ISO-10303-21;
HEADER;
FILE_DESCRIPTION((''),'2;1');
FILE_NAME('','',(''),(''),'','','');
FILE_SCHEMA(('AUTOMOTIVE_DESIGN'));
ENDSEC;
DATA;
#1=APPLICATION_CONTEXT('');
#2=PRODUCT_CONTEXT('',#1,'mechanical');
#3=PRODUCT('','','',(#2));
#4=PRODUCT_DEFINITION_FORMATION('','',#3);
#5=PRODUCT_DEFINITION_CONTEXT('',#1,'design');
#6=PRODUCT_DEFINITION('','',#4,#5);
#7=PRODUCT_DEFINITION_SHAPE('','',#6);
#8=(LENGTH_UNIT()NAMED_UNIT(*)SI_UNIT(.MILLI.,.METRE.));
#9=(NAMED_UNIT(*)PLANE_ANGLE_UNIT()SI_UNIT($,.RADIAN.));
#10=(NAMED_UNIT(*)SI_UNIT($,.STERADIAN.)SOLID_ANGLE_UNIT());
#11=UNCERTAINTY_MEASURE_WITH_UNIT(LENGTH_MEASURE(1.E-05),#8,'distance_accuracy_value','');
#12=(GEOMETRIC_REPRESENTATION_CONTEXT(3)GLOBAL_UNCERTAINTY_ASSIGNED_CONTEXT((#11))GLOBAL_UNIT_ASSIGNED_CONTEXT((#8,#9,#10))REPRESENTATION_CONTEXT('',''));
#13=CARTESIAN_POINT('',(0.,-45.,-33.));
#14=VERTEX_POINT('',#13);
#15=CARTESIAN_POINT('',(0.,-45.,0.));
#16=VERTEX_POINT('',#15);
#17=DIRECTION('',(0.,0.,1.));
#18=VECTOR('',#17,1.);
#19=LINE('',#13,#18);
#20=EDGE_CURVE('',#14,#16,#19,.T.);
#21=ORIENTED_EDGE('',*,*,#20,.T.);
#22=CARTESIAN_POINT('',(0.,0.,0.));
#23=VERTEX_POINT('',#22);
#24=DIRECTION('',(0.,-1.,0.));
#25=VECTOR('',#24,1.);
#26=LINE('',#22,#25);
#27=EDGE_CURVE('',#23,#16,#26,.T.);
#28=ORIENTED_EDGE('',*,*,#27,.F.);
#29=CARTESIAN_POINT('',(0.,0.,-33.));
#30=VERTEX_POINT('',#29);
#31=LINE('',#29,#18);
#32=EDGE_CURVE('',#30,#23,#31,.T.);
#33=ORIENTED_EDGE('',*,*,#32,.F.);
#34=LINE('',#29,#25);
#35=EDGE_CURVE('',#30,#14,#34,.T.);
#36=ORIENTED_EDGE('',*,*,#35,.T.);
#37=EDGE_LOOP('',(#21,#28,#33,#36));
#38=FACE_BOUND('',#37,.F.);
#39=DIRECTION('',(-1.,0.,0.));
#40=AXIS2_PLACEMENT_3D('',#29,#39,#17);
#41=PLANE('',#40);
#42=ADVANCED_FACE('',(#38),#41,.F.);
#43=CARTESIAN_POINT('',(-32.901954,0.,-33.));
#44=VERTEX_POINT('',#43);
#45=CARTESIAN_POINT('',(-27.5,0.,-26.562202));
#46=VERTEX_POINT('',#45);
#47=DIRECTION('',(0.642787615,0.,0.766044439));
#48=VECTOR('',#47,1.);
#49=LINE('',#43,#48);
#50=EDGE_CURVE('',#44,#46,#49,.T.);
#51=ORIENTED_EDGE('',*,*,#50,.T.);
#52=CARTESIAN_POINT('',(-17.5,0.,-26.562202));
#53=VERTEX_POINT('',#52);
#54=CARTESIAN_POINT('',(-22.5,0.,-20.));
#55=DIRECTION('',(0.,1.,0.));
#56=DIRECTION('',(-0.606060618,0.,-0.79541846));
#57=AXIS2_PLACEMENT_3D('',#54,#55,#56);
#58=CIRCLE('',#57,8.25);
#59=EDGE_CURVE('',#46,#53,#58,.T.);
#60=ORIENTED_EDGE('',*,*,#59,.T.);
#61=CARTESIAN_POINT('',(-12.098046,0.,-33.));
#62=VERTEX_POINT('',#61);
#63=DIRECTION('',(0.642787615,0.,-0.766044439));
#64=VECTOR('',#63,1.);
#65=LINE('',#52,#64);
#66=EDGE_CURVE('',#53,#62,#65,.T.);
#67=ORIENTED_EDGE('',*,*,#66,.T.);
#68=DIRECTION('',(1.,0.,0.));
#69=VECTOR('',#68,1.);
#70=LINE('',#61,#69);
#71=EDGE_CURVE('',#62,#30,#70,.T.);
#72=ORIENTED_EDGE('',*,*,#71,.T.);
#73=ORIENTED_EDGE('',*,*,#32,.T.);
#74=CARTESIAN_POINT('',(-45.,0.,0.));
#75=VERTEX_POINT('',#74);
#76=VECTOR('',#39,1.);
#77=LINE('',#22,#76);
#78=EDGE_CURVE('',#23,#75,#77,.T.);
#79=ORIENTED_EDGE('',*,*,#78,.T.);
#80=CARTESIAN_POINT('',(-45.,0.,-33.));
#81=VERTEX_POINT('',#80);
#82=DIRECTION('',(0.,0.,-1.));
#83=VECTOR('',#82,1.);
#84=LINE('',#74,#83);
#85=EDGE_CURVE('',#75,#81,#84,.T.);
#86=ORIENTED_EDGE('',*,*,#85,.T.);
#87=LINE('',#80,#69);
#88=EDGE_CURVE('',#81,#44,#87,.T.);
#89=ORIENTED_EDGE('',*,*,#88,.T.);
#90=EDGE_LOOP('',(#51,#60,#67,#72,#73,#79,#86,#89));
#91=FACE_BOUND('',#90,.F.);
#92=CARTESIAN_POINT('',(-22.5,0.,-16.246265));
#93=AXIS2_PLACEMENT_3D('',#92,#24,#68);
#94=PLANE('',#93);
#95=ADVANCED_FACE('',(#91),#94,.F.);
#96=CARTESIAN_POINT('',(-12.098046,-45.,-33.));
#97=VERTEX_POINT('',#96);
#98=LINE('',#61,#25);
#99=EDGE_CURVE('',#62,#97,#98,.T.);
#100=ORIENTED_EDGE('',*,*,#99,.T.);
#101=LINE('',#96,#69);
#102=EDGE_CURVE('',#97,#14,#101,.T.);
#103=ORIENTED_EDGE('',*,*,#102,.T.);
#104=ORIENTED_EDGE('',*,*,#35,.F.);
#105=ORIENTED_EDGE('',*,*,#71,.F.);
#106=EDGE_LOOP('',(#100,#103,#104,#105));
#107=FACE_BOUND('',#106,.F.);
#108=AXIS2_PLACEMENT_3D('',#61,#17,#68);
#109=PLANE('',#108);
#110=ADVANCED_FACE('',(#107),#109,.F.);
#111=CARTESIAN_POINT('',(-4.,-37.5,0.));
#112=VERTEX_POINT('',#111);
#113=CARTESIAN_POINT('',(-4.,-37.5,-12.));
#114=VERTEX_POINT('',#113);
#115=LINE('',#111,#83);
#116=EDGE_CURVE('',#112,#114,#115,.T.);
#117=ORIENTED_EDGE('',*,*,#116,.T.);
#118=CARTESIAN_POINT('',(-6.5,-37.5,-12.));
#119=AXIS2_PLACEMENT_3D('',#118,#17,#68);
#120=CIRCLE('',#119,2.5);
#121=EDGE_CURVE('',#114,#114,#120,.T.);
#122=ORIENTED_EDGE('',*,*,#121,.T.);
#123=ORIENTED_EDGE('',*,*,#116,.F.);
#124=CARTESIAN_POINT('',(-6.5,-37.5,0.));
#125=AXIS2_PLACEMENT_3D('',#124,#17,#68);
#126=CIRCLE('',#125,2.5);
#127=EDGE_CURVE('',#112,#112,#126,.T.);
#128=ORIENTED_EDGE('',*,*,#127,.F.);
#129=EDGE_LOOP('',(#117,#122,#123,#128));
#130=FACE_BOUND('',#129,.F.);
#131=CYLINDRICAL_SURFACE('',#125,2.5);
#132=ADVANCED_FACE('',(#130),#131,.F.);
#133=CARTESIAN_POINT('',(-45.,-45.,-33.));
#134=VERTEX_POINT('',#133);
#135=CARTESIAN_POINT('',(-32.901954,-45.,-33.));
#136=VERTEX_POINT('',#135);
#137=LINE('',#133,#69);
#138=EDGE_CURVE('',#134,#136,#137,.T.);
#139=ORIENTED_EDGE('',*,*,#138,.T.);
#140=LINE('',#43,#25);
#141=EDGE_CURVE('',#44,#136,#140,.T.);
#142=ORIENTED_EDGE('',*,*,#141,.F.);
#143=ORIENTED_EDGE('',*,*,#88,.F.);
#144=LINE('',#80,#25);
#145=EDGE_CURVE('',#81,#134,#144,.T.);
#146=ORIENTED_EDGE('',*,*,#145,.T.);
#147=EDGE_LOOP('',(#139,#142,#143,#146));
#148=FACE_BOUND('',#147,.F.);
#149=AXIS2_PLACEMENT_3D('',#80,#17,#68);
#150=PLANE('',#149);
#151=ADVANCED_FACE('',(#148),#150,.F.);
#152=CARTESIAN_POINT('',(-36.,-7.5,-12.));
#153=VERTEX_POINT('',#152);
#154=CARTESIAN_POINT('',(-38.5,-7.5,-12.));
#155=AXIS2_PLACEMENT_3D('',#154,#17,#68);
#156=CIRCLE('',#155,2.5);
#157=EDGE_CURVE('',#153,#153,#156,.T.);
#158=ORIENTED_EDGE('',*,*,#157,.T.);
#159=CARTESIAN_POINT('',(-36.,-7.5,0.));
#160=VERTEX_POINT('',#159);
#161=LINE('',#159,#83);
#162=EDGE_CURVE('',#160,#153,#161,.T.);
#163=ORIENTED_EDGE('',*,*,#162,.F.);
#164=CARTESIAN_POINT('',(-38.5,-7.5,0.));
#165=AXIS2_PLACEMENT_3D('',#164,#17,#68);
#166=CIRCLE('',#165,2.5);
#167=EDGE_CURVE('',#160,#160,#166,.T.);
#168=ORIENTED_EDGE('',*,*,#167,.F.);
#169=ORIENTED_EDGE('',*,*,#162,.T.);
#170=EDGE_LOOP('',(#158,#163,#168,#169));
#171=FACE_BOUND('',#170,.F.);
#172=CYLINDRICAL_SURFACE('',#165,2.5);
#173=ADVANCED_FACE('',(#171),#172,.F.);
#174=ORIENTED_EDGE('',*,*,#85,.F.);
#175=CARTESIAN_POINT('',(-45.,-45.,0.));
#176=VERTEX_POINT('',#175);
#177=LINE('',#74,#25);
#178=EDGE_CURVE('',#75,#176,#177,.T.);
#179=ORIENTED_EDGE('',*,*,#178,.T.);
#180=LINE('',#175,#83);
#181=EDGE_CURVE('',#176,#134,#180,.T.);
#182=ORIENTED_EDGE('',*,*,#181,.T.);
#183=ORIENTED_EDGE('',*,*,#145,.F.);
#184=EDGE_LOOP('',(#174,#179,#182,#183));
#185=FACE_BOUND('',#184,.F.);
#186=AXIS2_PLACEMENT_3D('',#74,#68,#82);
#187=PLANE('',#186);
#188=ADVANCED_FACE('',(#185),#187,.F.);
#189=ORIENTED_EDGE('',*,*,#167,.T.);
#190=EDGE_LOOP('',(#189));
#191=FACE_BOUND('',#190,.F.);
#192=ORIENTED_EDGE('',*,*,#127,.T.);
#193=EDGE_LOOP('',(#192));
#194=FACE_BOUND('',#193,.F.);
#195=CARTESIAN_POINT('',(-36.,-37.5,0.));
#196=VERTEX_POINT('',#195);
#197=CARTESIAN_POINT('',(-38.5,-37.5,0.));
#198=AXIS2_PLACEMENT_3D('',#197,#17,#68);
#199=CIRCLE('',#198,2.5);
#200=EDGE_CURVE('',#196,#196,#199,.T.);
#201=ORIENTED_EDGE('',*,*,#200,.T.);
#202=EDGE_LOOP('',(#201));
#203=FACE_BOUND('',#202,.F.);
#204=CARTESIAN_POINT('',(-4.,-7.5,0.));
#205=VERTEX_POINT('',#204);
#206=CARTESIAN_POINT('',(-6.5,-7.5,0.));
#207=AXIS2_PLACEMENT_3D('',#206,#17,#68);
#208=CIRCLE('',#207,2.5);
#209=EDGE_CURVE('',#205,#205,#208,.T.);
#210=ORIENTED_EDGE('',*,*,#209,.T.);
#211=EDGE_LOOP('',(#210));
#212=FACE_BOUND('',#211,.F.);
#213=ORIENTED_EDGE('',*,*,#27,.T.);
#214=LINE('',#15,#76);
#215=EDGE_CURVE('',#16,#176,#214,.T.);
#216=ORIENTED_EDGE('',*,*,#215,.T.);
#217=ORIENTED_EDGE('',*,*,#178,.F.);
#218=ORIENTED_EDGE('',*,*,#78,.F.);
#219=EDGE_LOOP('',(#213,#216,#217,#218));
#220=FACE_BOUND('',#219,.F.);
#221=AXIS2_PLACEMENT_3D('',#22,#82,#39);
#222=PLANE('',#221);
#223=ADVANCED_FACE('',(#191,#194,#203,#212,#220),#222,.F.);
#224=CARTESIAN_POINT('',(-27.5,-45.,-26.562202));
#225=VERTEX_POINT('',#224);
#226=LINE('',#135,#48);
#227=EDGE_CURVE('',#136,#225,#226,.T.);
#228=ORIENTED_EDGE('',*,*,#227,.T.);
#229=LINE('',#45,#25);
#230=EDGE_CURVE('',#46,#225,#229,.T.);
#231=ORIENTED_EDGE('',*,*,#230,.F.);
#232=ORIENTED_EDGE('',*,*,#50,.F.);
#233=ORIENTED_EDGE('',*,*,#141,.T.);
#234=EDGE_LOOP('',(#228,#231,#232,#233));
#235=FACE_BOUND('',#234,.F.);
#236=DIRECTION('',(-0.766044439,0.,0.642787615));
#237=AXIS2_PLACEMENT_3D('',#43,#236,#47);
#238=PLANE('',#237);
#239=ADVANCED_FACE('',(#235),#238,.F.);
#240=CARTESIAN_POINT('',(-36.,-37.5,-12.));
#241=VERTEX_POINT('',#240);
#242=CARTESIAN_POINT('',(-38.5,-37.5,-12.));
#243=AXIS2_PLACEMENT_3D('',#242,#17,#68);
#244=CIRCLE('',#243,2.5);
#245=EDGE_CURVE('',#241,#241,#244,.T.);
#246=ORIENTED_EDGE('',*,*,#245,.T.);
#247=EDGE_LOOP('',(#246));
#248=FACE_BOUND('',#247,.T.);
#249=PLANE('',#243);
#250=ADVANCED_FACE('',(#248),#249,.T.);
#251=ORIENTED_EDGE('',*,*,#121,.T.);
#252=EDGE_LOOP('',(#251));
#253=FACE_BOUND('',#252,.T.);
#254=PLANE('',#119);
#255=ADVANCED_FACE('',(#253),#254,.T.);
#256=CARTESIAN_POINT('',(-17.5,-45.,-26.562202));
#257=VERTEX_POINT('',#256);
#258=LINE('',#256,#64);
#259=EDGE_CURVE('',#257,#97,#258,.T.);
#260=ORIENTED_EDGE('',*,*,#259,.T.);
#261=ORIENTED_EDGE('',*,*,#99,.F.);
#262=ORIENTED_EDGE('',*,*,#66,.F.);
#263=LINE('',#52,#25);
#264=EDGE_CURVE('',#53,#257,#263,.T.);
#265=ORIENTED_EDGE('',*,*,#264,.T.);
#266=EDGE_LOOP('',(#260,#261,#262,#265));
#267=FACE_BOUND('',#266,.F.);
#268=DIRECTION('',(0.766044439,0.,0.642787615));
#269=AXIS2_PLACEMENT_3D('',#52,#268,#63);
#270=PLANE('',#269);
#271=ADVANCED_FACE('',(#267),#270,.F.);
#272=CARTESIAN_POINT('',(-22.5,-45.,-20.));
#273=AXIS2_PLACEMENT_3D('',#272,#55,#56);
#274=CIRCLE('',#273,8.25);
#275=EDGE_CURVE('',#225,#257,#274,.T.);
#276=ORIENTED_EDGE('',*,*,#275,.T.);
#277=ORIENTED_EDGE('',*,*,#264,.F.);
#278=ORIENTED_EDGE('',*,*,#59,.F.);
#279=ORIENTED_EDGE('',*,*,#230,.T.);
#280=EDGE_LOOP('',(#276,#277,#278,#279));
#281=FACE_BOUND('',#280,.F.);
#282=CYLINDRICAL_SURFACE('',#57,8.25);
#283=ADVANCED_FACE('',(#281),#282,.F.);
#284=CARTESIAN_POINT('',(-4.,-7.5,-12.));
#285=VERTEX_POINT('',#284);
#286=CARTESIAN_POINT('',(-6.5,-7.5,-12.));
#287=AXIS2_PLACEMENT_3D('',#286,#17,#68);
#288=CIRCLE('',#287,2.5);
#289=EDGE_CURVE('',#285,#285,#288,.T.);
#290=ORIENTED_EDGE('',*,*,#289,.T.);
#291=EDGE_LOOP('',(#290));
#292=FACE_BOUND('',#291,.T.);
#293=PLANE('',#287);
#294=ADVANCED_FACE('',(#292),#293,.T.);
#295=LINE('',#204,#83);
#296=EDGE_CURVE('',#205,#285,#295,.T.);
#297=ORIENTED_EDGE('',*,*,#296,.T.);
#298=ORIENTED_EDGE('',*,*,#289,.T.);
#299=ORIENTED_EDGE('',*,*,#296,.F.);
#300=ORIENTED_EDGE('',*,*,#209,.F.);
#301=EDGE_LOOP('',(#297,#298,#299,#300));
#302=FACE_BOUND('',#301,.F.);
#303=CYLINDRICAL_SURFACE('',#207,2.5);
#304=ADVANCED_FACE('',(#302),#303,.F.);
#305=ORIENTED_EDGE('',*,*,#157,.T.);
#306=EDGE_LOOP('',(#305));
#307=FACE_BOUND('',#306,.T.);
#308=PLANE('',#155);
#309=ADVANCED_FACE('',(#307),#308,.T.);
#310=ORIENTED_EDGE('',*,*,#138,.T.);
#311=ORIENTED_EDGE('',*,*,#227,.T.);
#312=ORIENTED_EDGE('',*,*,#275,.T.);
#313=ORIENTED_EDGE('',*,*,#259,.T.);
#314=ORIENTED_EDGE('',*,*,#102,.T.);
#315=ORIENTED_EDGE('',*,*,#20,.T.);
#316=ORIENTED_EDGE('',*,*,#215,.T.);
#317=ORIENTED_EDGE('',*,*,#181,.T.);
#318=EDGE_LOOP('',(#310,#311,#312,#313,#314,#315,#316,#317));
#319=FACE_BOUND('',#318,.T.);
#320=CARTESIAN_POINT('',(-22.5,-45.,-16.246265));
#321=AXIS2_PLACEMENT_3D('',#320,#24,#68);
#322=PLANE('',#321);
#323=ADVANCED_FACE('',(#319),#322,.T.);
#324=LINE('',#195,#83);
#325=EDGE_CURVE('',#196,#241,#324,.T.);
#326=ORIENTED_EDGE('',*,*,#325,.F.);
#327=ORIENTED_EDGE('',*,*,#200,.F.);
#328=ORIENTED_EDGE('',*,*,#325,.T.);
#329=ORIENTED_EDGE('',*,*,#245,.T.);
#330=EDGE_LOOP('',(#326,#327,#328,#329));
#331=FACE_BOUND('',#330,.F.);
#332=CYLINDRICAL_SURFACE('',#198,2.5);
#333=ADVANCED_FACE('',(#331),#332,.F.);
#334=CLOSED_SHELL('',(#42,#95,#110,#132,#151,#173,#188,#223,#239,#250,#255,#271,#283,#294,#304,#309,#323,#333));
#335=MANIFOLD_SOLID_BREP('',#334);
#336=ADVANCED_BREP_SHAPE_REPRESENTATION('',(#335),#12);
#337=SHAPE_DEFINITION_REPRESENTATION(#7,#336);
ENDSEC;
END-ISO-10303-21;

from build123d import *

# Parameters (mm, degrees)
F1_DEPTH = 45
F2_R     = 2.5
F3_DEPTH = 12


with BuildPart() as f1:
    # F0 (on Front) → F1 (new body)
    with BuildSketch(Plane.XZ):
        with BuildLine():
            Line((0, -33), (0, 0))
            Line((0, 0), (-45, 0))
            Line((-45, 0), (-45, -33))
            Line((-45, -33), (-32.901954, -33))
            Line((-32.901954, -33), (-27.5, -26.562202))
            ThreePointArc((-27.5, -26.562202), (-22.5, -11.75), (-17.5, -26.562202))
            Line((-17.5, -26.562202), (-12.098046, -33))
            Line((-12.098046, -33), (0, -33))
        make_face()
    extrude(amount=F1_DEPTH)

    # F2 (on face) → F3 (cut)
    with BuildSketch(Plane.XY):
        with Locations((-38.5, -37.5)):
            Circle(F2_R)
        with Locations((-6.5, -37.5)):
            Circle(F2_R)
        with Locations((-6.5, -7.5)):
            Circle(F2_R)
        with Locations((-38.5, -7.5)):
            Circle(F2_R)
    extrude(amount=-F3_DEPTH, mode=Mode.SUBTRACT)


solid = f1.part
